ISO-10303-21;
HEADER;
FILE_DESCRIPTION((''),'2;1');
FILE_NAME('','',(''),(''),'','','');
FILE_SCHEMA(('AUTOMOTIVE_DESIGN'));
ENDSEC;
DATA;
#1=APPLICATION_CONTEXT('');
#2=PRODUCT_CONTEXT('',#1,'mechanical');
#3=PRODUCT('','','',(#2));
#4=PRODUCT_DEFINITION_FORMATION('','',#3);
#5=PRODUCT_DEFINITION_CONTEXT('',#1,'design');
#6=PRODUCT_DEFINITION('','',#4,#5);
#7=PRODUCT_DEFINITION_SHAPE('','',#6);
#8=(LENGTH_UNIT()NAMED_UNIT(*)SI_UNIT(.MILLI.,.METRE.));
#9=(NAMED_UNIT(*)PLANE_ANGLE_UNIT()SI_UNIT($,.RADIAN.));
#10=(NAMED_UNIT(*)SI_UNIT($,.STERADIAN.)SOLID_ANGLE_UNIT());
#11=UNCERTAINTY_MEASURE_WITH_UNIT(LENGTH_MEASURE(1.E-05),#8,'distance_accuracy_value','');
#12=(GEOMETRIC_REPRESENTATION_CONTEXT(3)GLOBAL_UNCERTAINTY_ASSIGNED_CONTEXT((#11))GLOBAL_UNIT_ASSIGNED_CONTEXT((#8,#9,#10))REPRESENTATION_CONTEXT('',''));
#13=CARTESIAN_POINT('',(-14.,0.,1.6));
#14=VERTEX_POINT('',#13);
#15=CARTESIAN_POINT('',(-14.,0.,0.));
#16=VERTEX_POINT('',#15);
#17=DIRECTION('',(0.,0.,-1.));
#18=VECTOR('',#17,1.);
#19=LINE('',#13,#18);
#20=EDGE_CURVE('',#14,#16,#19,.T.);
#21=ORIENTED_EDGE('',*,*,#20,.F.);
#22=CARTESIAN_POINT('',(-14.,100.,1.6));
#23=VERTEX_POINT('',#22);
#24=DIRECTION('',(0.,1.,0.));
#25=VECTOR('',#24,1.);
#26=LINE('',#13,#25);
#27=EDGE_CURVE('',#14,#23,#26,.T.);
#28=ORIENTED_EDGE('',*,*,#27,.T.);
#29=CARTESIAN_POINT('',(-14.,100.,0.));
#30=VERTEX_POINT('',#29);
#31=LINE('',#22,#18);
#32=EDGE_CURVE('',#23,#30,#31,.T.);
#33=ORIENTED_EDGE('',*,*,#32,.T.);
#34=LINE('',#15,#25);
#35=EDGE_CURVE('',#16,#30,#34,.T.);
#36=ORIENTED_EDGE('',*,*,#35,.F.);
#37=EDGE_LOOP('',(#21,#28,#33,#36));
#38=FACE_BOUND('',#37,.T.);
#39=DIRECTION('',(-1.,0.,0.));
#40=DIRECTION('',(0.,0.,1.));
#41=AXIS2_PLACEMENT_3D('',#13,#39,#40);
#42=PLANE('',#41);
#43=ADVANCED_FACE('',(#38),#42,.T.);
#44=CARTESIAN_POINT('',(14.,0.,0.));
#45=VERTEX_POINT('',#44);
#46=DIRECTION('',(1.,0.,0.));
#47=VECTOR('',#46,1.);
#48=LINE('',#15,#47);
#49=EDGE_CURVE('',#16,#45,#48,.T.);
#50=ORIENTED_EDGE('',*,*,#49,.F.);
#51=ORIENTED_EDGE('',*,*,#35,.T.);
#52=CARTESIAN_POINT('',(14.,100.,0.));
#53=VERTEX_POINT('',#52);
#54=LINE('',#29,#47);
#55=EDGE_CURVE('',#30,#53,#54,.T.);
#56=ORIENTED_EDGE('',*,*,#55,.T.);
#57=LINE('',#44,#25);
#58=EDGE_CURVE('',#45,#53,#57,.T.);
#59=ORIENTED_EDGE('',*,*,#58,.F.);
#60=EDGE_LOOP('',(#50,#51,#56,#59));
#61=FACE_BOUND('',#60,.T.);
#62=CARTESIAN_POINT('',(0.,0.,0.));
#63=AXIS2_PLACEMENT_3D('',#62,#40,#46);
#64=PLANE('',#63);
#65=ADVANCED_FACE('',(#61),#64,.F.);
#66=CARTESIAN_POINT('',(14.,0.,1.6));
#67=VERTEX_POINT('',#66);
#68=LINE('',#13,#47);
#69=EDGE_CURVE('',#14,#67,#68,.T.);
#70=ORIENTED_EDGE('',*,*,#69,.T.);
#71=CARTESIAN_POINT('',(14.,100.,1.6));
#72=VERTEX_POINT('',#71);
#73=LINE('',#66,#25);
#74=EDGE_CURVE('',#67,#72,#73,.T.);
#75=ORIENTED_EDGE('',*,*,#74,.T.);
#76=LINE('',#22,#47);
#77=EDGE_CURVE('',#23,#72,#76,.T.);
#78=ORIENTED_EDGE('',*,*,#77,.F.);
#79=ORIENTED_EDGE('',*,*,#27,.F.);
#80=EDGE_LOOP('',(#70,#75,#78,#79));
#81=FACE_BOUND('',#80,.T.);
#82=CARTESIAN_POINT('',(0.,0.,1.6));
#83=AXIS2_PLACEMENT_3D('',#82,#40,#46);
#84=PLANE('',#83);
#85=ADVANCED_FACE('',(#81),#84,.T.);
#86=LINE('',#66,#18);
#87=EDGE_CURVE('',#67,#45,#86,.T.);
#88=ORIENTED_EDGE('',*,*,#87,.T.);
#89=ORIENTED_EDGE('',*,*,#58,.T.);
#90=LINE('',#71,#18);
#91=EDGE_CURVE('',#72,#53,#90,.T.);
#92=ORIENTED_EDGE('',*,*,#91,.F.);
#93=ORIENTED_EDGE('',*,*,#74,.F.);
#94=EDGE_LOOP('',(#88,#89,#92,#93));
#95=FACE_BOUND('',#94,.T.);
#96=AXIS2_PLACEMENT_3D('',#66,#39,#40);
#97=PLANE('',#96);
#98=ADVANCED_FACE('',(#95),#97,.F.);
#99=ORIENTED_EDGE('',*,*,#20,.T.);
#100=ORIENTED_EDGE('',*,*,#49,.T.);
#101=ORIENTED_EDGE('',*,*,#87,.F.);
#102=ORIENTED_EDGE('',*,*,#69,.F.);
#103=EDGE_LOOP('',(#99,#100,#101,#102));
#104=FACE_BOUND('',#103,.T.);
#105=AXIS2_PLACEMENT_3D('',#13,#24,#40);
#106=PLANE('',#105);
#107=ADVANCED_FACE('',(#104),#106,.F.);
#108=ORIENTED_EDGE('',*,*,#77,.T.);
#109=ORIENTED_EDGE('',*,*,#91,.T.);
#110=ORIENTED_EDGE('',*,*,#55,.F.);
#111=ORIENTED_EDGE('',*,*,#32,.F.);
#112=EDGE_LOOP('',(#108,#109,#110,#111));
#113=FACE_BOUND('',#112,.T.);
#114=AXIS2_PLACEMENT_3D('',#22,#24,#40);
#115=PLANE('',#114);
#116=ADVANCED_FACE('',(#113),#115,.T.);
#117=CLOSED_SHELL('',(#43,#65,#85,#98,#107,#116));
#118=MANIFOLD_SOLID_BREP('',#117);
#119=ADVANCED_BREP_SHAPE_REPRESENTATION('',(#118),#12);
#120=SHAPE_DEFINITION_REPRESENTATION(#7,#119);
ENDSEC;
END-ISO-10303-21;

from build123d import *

# Parameters (mm, degrees)
SKETCH1_W           = 28
SKETCH1_H           = 100
BOSS_EXTRUDE1_DEPTH = 1.6


with BuildPart() as part:
    # Sketch1 → Boss-Extrude1 (new body)
    with BuildSketch(Plane.XY):
        with Locations((0, 50)):
            Rectangle(SKETCH1_W, SKETCH1_H)
    extrude(amount=BOSS_EXTRUDE1_DEPTH)


solid = part.part
